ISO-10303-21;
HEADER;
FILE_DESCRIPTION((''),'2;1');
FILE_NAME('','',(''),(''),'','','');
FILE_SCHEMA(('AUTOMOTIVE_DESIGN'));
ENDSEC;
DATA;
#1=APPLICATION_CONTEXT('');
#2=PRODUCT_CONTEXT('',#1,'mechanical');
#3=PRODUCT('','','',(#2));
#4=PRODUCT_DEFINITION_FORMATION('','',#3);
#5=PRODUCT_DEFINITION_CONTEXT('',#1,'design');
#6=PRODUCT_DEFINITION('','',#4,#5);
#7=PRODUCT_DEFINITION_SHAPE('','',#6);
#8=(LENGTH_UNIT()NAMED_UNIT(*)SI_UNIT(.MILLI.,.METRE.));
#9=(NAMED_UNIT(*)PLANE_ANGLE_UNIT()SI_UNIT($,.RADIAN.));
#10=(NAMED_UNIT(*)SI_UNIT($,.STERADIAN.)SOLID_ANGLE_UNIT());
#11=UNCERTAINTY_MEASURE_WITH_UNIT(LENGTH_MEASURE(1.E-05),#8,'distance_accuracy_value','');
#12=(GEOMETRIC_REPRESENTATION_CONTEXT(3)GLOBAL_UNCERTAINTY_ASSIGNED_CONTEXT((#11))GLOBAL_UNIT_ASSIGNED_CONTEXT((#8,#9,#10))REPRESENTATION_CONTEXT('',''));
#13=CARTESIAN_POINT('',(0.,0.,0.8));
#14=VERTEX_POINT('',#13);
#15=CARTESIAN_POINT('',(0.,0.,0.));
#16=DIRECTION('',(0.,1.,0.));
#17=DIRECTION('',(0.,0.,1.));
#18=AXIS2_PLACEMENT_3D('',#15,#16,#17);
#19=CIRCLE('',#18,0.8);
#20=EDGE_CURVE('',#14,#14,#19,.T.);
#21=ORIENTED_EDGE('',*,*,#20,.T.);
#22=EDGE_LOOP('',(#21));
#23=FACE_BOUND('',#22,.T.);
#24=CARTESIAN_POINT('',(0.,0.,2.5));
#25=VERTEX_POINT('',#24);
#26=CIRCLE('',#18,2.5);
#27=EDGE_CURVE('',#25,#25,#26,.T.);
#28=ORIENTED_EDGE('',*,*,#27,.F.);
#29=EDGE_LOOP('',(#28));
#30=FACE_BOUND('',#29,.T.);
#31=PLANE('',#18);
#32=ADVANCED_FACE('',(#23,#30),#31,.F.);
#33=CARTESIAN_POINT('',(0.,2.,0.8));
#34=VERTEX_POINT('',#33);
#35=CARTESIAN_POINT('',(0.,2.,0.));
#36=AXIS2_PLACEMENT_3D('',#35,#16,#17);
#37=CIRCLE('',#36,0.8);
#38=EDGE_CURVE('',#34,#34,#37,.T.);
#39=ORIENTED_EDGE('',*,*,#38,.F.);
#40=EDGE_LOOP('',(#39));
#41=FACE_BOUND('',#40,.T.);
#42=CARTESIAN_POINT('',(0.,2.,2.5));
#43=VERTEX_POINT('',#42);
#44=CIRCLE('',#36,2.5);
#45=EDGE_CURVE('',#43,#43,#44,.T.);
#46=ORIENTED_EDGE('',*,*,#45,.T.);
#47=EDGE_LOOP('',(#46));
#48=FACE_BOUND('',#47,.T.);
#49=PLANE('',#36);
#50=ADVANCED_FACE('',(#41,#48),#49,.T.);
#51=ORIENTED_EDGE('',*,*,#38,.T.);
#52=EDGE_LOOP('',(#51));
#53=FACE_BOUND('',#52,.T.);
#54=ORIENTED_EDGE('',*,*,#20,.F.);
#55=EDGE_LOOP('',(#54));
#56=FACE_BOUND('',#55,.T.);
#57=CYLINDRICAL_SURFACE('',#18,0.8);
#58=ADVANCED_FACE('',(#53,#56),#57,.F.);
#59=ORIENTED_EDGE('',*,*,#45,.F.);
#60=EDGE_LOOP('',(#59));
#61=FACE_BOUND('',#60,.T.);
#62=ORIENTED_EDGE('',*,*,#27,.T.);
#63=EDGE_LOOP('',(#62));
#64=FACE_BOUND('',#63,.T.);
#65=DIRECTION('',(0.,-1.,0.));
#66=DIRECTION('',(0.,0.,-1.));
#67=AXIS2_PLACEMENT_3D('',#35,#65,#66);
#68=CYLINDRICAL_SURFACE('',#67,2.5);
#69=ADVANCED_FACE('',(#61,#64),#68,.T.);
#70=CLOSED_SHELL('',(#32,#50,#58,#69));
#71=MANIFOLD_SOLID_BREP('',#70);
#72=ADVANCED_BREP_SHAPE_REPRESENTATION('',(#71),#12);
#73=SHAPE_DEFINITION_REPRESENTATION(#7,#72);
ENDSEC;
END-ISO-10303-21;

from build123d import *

# Parameters (mm, degrees)
SKETCH_1_R          = 2.5
EXTRUDE_1_DEPTH     = 2
SKETCH_2_R          = 0.8
CUT_EXTRUDE_1_DEPTH = 5.062019202


with BuildPart() as part:
    # 草图1 → 凸台-拉伸1 (new body)
    with BuildSketch(Plane(origin=(0, 0, 0), x_dir=(1, 0, 0), z_dir=(0, 1, 0))):
        with Locations(Location((0, 0, 0), (0, 0, 270))):
            Circle(SKETCH_1_R)
    extrude(amount=EXTRUDE_1_DEPTH)

    # 草图2 → 切除-拉伸1 (cut, through all)
    with BuildSketch(Plane(origin=(0, 2, 0), x_dir=(1, 0, 0), z_dir=(0, 1, 0))):
        with Locations(Location((0, 0, 0), (0, 0, 270))):
            Circle(SKETCH_2_R)
    extrude(amount=-CUT_EXTRUDE_1_DEPTH, mode=Mode.SUBTRACT)


solid = part.part
